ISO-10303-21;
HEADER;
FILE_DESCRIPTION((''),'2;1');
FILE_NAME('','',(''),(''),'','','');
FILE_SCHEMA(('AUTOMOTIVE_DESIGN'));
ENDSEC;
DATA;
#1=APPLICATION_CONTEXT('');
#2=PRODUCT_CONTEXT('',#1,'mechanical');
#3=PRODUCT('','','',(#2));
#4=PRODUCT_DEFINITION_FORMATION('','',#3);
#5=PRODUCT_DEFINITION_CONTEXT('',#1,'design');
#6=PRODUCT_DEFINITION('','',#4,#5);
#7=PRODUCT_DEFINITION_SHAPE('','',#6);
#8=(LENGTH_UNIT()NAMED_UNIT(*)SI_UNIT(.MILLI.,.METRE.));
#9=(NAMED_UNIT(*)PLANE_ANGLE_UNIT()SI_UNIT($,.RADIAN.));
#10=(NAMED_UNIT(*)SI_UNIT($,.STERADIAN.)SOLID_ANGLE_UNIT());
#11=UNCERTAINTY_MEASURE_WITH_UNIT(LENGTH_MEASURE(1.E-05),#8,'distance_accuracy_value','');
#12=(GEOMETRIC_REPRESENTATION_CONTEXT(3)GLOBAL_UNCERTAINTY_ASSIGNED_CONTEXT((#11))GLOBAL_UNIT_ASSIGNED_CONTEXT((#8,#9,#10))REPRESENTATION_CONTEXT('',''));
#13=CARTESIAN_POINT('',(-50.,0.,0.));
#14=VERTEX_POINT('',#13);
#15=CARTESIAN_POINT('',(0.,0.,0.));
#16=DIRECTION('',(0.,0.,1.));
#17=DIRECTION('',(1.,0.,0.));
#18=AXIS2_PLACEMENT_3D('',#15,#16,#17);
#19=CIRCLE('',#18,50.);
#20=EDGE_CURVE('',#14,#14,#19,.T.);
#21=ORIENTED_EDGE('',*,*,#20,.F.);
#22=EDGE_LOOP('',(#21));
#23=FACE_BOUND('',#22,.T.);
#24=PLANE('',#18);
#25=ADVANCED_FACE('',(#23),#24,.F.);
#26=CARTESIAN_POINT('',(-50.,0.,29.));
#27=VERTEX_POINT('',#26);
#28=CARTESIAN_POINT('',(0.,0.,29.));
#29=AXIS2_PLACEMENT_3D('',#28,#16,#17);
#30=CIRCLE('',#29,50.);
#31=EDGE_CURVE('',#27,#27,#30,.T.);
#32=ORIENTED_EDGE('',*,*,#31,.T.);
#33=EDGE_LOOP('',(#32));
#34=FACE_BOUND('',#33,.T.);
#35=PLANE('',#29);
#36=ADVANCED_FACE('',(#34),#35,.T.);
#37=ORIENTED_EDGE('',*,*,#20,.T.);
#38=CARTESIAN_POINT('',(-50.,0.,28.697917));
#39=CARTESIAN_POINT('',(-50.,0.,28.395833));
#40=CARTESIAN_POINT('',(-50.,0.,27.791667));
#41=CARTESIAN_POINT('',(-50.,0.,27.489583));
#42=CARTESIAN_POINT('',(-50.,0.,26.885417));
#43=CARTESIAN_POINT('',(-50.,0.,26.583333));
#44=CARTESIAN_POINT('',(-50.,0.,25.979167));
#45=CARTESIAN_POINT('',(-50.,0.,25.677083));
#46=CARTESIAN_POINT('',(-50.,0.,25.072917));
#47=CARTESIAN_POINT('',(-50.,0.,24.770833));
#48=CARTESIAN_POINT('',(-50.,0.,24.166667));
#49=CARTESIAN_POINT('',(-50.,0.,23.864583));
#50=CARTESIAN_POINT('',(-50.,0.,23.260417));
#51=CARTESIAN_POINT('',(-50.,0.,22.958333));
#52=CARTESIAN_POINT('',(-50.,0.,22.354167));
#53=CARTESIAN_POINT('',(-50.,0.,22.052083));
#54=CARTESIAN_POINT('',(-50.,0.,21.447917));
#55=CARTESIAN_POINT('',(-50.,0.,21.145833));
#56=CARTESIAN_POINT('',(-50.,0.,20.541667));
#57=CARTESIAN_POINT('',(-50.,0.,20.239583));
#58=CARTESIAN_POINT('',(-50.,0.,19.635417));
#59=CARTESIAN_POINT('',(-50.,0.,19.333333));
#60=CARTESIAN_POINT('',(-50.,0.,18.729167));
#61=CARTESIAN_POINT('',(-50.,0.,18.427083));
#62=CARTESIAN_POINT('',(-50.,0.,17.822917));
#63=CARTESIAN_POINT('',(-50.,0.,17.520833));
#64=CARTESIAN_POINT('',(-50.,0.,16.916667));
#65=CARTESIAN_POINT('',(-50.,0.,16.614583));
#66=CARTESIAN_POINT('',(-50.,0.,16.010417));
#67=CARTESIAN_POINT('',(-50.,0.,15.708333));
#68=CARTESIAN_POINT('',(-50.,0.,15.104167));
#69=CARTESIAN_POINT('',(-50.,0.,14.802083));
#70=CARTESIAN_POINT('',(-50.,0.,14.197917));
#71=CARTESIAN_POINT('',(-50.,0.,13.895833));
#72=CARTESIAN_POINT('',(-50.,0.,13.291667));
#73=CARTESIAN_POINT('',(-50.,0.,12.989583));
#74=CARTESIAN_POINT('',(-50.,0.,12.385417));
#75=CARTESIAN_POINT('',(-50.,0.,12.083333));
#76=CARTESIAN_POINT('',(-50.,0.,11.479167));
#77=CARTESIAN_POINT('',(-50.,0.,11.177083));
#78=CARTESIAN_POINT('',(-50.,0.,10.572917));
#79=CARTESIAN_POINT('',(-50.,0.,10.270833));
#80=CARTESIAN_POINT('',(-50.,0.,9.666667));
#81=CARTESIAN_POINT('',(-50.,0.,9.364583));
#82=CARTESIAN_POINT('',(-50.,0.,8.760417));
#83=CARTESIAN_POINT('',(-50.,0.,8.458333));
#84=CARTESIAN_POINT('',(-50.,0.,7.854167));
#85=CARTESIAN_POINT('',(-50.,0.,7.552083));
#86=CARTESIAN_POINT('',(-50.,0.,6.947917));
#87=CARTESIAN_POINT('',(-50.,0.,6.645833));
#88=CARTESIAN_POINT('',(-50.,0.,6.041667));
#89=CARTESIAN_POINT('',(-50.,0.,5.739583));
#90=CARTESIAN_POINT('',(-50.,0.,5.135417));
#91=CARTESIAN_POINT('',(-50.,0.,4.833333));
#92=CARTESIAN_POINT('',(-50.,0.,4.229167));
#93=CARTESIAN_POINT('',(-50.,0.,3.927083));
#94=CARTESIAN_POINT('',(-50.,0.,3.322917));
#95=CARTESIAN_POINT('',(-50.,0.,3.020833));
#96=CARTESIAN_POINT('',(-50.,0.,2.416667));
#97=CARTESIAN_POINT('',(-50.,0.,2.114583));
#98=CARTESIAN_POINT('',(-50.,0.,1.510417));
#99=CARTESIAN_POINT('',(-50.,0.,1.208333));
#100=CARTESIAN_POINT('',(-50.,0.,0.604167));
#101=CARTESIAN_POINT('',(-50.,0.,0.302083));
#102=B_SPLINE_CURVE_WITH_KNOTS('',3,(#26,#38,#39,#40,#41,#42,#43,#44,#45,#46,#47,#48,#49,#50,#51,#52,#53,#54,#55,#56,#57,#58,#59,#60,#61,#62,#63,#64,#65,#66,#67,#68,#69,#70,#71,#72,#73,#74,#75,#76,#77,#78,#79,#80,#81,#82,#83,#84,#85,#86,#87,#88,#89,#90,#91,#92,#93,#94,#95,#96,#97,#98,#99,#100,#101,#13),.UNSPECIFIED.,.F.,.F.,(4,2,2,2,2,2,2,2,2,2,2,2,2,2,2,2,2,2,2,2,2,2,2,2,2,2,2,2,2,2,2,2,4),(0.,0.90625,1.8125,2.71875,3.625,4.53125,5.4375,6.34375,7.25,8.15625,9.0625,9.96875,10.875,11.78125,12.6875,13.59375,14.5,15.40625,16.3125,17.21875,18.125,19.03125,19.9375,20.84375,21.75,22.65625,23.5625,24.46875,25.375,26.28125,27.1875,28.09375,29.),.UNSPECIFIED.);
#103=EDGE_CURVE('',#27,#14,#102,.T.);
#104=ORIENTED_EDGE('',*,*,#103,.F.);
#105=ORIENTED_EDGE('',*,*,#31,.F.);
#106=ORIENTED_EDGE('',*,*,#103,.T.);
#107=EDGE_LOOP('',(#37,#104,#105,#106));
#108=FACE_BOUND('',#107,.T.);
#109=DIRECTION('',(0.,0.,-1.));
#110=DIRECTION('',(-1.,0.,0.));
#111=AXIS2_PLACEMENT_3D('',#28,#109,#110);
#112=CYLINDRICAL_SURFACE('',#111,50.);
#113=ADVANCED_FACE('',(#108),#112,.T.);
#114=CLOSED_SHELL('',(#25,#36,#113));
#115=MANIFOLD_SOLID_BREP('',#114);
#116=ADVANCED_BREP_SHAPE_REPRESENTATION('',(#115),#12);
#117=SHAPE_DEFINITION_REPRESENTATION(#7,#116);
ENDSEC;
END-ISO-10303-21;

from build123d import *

# Parameters (mm, degrees)
SKETCH_1_R      = 50
EXTRUDE_1_DEPTH = 29


with BuildPart() as part:
    # 草图1 → 凸台-拉伸1 (new body)
    with BuildSketch(Plane.XY):
        with Locations(Location((0, 0, 0), (0, 0, 180))):
            Circle(SKETCH_1_R)
    extrude(amount=EXTRUDE_1_DEPTH)


solid = part.part
